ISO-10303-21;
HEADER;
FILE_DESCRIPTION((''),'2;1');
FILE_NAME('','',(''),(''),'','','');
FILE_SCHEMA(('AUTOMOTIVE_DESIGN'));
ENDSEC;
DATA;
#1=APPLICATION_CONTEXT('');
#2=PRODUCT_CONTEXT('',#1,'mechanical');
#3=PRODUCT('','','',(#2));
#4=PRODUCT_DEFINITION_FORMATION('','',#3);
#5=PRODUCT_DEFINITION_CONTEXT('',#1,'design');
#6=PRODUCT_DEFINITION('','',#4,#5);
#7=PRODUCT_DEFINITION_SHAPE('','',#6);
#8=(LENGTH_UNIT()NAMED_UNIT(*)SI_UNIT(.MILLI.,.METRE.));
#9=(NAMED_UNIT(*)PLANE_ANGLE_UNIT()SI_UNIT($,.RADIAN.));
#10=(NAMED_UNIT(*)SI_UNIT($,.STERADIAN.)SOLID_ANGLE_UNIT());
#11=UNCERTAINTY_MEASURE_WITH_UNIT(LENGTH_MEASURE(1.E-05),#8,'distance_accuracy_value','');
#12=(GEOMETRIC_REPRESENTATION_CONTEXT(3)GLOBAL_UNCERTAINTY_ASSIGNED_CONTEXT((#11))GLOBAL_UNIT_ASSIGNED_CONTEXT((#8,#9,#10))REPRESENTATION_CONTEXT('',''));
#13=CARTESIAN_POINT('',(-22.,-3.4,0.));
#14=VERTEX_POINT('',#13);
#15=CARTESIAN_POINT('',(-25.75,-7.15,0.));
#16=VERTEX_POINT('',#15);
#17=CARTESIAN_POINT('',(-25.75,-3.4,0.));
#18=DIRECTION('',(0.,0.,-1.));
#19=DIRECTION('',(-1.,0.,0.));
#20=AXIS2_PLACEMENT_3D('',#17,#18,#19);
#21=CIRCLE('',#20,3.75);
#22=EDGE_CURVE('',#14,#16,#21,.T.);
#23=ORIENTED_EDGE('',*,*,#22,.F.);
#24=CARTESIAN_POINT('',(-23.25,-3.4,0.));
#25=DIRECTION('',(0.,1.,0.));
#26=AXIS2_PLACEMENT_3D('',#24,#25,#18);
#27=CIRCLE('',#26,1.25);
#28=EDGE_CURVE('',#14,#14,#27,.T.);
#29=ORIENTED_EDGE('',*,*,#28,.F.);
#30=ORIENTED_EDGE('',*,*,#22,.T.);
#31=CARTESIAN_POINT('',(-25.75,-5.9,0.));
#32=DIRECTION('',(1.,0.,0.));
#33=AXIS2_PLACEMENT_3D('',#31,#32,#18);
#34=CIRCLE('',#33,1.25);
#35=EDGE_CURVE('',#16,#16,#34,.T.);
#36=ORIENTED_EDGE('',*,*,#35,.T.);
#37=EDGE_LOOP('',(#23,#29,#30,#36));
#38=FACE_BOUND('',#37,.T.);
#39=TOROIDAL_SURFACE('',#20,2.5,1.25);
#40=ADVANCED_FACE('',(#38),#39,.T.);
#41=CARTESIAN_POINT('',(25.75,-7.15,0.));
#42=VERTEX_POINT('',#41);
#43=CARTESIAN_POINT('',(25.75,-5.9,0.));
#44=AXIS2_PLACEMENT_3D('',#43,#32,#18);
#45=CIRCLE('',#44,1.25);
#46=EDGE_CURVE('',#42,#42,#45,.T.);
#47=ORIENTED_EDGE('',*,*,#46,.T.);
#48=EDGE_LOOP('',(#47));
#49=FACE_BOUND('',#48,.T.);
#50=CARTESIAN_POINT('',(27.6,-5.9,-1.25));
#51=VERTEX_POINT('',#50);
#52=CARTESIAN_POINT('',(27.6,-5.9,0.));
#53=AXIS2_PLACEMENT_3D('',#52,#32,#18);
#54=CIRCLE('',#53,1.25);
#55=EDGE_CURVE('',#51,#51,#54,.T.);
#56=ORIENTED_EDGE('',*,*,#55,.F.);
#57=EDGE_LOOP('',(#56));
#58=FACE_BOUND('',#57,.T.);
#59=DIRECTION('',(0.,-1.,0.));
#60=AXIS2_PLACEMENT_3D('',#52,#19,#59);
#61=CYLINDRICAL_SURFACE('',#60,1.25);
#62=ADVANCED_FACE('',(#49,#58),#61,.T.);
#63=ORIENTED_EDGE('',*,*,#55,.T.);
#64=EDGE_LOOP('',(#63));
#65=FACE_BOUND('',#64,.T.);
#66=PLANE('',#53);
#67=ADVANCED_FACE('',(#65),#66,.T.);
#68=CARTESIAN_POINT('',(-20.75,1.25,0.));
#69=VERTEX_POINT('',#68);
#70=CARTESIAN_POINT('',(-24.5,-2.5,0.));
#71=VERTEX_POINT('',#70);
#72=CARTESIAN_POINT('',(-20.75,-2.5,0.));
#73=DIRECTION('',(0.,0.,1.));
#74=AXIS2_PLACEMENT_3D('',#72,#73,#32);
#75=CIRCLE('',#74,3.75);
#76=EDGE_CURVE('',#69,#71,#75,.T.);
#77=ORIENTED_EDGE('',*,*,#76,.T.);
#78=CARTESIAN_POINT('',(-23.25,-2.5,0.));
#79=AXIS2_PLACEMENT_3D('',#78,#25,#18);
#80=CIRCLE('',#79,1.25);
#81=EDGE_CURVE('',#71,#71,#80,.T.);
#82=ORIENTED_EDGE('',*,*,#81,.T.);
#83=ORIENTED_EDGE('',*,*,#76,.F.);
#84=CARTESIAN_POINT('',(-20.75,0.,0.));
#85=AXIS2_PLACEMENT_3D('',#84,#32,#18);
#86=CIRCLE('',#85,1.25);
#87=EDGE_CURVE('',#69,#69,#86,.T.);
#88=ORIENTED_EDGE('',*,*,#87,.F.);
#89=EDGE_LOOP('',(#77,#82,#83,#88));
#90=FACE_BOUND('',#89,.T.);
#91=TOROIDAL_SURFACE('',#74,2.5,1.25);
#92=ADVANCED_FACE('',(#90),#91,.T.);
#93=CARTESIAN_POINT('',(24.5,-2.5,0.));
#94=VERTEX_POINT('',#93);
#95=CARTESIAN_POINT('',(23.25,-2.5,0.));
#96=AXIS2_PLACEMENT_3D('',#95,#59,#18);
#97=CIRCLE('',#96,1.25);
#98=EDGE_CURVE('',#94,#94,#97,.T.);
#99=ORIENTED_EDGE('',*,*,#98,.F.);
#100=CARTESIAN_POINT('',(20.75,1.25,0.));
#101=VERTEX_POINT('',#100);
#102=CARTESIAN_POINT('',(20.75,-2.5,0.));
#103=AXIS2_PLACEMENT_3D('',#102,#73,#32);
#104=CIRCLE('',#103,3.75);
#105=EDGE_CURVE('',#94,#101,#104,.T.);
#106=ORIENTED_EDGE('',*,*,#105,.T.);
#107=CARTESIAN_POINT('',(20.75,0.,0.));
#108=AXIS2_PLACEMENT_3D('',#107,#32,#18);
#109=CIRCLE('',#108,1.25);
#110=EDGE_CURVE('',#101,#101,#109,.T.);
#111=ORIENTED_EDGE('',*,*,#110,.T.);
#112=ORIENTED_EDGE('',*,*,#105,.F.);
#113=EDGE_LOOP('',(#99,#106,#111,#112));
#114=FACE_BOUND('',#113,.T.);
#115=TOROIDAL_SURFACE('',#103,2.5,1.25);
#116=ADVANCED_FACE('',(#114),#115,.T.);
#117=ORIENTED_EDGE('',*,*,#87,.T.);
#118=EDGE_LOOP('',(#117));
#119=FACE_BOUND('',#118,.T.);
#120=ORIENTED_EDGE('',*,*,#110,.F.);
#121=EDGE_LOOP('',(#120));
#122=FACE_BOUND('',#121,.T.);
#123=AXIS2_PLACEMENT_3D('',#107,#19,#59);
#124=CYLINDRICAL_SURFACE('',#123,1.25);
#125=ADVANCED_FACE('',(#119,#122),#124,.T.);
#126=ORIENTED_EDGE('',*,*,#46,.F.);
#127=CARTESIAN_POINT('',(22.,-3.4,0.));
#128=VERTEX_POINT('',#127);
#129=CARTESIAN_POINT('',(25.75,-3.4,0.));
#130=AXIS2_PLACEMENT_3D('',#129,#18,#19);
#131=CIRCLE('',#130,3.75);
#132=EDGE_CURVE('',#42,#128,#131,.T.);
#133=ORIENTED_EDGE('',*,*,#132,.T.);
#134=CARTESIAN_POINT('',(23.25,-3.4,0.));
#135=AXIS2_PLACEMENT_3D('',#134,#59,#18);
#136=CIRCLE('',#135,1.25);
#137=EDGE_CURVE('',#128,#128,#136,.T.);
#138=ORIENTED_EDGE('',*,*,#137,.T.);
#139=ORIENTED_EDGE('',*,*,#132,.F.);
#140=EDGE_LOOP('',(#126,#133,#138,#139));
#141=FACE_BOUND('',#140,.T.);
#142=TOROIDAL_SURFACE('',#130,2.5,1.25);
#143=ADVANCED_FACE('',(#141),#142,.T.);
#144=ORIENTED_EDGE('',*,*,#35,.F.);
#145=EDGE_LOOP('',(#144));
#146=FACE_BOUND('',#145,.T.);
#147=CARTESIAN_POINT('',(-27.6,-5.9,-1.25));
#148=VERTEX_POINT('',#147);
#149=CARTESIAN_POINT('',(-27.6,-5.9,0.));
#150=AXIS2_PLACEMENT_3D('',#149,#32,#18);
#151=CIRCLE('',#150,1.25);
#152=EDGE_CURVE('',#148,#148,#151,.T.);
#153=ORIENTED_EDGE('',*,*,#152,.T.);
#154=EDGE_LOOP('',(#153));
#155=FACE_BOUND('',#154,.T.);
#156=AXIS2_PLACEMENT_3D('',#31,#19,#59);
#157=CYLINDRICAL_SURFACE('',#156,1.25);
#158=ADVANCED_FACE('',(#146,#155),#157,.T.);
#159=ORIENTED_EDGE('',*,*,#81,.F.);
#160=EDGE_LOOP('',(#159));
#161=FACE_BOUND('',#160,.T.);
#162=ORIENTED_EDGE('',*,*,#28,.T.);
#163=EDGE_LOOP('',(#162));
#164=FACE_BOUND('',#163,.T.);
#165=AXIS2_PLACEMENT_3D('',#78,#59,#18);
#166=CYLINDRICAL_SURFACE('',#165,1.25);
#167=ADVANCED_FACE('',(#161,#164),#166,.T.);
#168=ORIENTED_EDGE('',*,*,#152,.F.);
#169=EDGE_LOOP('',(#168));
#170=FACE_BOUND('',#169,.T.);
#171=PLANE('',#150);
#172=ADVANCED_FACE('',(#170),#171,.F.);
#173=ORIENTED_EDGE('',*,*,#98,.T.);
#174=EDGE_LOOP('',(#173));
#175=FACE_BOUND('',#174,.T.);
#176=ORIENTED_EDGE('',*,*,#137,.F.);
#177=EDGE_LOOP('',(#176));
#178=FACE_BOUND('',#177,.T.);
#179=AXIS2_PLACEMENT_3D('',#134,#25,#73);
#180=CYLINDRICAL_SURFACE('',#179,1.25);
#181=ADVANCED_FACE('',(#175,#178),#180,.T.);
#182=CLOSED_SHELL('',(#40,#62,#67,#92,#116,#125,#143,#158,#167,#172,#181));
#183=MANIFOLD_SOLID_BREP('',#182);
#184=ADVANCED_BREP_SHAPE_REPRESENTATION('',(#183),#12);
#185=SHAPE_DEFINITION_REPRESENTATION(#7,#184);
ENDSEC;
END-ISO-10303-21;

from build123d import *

# Parameters (mm, degrees)
CROQUIS2_R = 1.25


with BuildPart() as part:
    # Barrer1: sweep along a path in Croquis1
    with BuildLine(Plane.XY) as barrer1_path:
        Line((-27.6, -5.9), (-25.75, -5.9))
        ThreePointArc((-25.75, -5.9), (-23.982233047, -5.167766953), (-23.25, -3.4))
        Line((-23.25, -3.4), (-23.25, -2.5))
        ThreePointArc((-23.25, -2.5), (-22.517766953, -0.732233047), (-20.75, 0))
        Line((-20.75, 0), (20.75, 0))
        ThreePointArc((20.75, 0), (22.517766953, -0.732233047), (23.25, -2.5))
        Line((23.25, -2.5), (23.25, -3.4))
        ThreePointArc((23.25, -3.4), (23.982233047, -5.167766953), (25.75, -5.9))
        Line((25.75, -5.9), (27.6, -5.9))
    # Croquis2 → Barrer1 (sweep)
    with BuildSketch(Plane(origin=(27.6, 0, 0), x_dir=(0, 0, -1), z_dir=(1, 0, 0))):
        with Locations((0, -5.9)):
            Circle(CROQUIS2_R)
    sweep(path=barrer1_path.line)


solid = part.part
